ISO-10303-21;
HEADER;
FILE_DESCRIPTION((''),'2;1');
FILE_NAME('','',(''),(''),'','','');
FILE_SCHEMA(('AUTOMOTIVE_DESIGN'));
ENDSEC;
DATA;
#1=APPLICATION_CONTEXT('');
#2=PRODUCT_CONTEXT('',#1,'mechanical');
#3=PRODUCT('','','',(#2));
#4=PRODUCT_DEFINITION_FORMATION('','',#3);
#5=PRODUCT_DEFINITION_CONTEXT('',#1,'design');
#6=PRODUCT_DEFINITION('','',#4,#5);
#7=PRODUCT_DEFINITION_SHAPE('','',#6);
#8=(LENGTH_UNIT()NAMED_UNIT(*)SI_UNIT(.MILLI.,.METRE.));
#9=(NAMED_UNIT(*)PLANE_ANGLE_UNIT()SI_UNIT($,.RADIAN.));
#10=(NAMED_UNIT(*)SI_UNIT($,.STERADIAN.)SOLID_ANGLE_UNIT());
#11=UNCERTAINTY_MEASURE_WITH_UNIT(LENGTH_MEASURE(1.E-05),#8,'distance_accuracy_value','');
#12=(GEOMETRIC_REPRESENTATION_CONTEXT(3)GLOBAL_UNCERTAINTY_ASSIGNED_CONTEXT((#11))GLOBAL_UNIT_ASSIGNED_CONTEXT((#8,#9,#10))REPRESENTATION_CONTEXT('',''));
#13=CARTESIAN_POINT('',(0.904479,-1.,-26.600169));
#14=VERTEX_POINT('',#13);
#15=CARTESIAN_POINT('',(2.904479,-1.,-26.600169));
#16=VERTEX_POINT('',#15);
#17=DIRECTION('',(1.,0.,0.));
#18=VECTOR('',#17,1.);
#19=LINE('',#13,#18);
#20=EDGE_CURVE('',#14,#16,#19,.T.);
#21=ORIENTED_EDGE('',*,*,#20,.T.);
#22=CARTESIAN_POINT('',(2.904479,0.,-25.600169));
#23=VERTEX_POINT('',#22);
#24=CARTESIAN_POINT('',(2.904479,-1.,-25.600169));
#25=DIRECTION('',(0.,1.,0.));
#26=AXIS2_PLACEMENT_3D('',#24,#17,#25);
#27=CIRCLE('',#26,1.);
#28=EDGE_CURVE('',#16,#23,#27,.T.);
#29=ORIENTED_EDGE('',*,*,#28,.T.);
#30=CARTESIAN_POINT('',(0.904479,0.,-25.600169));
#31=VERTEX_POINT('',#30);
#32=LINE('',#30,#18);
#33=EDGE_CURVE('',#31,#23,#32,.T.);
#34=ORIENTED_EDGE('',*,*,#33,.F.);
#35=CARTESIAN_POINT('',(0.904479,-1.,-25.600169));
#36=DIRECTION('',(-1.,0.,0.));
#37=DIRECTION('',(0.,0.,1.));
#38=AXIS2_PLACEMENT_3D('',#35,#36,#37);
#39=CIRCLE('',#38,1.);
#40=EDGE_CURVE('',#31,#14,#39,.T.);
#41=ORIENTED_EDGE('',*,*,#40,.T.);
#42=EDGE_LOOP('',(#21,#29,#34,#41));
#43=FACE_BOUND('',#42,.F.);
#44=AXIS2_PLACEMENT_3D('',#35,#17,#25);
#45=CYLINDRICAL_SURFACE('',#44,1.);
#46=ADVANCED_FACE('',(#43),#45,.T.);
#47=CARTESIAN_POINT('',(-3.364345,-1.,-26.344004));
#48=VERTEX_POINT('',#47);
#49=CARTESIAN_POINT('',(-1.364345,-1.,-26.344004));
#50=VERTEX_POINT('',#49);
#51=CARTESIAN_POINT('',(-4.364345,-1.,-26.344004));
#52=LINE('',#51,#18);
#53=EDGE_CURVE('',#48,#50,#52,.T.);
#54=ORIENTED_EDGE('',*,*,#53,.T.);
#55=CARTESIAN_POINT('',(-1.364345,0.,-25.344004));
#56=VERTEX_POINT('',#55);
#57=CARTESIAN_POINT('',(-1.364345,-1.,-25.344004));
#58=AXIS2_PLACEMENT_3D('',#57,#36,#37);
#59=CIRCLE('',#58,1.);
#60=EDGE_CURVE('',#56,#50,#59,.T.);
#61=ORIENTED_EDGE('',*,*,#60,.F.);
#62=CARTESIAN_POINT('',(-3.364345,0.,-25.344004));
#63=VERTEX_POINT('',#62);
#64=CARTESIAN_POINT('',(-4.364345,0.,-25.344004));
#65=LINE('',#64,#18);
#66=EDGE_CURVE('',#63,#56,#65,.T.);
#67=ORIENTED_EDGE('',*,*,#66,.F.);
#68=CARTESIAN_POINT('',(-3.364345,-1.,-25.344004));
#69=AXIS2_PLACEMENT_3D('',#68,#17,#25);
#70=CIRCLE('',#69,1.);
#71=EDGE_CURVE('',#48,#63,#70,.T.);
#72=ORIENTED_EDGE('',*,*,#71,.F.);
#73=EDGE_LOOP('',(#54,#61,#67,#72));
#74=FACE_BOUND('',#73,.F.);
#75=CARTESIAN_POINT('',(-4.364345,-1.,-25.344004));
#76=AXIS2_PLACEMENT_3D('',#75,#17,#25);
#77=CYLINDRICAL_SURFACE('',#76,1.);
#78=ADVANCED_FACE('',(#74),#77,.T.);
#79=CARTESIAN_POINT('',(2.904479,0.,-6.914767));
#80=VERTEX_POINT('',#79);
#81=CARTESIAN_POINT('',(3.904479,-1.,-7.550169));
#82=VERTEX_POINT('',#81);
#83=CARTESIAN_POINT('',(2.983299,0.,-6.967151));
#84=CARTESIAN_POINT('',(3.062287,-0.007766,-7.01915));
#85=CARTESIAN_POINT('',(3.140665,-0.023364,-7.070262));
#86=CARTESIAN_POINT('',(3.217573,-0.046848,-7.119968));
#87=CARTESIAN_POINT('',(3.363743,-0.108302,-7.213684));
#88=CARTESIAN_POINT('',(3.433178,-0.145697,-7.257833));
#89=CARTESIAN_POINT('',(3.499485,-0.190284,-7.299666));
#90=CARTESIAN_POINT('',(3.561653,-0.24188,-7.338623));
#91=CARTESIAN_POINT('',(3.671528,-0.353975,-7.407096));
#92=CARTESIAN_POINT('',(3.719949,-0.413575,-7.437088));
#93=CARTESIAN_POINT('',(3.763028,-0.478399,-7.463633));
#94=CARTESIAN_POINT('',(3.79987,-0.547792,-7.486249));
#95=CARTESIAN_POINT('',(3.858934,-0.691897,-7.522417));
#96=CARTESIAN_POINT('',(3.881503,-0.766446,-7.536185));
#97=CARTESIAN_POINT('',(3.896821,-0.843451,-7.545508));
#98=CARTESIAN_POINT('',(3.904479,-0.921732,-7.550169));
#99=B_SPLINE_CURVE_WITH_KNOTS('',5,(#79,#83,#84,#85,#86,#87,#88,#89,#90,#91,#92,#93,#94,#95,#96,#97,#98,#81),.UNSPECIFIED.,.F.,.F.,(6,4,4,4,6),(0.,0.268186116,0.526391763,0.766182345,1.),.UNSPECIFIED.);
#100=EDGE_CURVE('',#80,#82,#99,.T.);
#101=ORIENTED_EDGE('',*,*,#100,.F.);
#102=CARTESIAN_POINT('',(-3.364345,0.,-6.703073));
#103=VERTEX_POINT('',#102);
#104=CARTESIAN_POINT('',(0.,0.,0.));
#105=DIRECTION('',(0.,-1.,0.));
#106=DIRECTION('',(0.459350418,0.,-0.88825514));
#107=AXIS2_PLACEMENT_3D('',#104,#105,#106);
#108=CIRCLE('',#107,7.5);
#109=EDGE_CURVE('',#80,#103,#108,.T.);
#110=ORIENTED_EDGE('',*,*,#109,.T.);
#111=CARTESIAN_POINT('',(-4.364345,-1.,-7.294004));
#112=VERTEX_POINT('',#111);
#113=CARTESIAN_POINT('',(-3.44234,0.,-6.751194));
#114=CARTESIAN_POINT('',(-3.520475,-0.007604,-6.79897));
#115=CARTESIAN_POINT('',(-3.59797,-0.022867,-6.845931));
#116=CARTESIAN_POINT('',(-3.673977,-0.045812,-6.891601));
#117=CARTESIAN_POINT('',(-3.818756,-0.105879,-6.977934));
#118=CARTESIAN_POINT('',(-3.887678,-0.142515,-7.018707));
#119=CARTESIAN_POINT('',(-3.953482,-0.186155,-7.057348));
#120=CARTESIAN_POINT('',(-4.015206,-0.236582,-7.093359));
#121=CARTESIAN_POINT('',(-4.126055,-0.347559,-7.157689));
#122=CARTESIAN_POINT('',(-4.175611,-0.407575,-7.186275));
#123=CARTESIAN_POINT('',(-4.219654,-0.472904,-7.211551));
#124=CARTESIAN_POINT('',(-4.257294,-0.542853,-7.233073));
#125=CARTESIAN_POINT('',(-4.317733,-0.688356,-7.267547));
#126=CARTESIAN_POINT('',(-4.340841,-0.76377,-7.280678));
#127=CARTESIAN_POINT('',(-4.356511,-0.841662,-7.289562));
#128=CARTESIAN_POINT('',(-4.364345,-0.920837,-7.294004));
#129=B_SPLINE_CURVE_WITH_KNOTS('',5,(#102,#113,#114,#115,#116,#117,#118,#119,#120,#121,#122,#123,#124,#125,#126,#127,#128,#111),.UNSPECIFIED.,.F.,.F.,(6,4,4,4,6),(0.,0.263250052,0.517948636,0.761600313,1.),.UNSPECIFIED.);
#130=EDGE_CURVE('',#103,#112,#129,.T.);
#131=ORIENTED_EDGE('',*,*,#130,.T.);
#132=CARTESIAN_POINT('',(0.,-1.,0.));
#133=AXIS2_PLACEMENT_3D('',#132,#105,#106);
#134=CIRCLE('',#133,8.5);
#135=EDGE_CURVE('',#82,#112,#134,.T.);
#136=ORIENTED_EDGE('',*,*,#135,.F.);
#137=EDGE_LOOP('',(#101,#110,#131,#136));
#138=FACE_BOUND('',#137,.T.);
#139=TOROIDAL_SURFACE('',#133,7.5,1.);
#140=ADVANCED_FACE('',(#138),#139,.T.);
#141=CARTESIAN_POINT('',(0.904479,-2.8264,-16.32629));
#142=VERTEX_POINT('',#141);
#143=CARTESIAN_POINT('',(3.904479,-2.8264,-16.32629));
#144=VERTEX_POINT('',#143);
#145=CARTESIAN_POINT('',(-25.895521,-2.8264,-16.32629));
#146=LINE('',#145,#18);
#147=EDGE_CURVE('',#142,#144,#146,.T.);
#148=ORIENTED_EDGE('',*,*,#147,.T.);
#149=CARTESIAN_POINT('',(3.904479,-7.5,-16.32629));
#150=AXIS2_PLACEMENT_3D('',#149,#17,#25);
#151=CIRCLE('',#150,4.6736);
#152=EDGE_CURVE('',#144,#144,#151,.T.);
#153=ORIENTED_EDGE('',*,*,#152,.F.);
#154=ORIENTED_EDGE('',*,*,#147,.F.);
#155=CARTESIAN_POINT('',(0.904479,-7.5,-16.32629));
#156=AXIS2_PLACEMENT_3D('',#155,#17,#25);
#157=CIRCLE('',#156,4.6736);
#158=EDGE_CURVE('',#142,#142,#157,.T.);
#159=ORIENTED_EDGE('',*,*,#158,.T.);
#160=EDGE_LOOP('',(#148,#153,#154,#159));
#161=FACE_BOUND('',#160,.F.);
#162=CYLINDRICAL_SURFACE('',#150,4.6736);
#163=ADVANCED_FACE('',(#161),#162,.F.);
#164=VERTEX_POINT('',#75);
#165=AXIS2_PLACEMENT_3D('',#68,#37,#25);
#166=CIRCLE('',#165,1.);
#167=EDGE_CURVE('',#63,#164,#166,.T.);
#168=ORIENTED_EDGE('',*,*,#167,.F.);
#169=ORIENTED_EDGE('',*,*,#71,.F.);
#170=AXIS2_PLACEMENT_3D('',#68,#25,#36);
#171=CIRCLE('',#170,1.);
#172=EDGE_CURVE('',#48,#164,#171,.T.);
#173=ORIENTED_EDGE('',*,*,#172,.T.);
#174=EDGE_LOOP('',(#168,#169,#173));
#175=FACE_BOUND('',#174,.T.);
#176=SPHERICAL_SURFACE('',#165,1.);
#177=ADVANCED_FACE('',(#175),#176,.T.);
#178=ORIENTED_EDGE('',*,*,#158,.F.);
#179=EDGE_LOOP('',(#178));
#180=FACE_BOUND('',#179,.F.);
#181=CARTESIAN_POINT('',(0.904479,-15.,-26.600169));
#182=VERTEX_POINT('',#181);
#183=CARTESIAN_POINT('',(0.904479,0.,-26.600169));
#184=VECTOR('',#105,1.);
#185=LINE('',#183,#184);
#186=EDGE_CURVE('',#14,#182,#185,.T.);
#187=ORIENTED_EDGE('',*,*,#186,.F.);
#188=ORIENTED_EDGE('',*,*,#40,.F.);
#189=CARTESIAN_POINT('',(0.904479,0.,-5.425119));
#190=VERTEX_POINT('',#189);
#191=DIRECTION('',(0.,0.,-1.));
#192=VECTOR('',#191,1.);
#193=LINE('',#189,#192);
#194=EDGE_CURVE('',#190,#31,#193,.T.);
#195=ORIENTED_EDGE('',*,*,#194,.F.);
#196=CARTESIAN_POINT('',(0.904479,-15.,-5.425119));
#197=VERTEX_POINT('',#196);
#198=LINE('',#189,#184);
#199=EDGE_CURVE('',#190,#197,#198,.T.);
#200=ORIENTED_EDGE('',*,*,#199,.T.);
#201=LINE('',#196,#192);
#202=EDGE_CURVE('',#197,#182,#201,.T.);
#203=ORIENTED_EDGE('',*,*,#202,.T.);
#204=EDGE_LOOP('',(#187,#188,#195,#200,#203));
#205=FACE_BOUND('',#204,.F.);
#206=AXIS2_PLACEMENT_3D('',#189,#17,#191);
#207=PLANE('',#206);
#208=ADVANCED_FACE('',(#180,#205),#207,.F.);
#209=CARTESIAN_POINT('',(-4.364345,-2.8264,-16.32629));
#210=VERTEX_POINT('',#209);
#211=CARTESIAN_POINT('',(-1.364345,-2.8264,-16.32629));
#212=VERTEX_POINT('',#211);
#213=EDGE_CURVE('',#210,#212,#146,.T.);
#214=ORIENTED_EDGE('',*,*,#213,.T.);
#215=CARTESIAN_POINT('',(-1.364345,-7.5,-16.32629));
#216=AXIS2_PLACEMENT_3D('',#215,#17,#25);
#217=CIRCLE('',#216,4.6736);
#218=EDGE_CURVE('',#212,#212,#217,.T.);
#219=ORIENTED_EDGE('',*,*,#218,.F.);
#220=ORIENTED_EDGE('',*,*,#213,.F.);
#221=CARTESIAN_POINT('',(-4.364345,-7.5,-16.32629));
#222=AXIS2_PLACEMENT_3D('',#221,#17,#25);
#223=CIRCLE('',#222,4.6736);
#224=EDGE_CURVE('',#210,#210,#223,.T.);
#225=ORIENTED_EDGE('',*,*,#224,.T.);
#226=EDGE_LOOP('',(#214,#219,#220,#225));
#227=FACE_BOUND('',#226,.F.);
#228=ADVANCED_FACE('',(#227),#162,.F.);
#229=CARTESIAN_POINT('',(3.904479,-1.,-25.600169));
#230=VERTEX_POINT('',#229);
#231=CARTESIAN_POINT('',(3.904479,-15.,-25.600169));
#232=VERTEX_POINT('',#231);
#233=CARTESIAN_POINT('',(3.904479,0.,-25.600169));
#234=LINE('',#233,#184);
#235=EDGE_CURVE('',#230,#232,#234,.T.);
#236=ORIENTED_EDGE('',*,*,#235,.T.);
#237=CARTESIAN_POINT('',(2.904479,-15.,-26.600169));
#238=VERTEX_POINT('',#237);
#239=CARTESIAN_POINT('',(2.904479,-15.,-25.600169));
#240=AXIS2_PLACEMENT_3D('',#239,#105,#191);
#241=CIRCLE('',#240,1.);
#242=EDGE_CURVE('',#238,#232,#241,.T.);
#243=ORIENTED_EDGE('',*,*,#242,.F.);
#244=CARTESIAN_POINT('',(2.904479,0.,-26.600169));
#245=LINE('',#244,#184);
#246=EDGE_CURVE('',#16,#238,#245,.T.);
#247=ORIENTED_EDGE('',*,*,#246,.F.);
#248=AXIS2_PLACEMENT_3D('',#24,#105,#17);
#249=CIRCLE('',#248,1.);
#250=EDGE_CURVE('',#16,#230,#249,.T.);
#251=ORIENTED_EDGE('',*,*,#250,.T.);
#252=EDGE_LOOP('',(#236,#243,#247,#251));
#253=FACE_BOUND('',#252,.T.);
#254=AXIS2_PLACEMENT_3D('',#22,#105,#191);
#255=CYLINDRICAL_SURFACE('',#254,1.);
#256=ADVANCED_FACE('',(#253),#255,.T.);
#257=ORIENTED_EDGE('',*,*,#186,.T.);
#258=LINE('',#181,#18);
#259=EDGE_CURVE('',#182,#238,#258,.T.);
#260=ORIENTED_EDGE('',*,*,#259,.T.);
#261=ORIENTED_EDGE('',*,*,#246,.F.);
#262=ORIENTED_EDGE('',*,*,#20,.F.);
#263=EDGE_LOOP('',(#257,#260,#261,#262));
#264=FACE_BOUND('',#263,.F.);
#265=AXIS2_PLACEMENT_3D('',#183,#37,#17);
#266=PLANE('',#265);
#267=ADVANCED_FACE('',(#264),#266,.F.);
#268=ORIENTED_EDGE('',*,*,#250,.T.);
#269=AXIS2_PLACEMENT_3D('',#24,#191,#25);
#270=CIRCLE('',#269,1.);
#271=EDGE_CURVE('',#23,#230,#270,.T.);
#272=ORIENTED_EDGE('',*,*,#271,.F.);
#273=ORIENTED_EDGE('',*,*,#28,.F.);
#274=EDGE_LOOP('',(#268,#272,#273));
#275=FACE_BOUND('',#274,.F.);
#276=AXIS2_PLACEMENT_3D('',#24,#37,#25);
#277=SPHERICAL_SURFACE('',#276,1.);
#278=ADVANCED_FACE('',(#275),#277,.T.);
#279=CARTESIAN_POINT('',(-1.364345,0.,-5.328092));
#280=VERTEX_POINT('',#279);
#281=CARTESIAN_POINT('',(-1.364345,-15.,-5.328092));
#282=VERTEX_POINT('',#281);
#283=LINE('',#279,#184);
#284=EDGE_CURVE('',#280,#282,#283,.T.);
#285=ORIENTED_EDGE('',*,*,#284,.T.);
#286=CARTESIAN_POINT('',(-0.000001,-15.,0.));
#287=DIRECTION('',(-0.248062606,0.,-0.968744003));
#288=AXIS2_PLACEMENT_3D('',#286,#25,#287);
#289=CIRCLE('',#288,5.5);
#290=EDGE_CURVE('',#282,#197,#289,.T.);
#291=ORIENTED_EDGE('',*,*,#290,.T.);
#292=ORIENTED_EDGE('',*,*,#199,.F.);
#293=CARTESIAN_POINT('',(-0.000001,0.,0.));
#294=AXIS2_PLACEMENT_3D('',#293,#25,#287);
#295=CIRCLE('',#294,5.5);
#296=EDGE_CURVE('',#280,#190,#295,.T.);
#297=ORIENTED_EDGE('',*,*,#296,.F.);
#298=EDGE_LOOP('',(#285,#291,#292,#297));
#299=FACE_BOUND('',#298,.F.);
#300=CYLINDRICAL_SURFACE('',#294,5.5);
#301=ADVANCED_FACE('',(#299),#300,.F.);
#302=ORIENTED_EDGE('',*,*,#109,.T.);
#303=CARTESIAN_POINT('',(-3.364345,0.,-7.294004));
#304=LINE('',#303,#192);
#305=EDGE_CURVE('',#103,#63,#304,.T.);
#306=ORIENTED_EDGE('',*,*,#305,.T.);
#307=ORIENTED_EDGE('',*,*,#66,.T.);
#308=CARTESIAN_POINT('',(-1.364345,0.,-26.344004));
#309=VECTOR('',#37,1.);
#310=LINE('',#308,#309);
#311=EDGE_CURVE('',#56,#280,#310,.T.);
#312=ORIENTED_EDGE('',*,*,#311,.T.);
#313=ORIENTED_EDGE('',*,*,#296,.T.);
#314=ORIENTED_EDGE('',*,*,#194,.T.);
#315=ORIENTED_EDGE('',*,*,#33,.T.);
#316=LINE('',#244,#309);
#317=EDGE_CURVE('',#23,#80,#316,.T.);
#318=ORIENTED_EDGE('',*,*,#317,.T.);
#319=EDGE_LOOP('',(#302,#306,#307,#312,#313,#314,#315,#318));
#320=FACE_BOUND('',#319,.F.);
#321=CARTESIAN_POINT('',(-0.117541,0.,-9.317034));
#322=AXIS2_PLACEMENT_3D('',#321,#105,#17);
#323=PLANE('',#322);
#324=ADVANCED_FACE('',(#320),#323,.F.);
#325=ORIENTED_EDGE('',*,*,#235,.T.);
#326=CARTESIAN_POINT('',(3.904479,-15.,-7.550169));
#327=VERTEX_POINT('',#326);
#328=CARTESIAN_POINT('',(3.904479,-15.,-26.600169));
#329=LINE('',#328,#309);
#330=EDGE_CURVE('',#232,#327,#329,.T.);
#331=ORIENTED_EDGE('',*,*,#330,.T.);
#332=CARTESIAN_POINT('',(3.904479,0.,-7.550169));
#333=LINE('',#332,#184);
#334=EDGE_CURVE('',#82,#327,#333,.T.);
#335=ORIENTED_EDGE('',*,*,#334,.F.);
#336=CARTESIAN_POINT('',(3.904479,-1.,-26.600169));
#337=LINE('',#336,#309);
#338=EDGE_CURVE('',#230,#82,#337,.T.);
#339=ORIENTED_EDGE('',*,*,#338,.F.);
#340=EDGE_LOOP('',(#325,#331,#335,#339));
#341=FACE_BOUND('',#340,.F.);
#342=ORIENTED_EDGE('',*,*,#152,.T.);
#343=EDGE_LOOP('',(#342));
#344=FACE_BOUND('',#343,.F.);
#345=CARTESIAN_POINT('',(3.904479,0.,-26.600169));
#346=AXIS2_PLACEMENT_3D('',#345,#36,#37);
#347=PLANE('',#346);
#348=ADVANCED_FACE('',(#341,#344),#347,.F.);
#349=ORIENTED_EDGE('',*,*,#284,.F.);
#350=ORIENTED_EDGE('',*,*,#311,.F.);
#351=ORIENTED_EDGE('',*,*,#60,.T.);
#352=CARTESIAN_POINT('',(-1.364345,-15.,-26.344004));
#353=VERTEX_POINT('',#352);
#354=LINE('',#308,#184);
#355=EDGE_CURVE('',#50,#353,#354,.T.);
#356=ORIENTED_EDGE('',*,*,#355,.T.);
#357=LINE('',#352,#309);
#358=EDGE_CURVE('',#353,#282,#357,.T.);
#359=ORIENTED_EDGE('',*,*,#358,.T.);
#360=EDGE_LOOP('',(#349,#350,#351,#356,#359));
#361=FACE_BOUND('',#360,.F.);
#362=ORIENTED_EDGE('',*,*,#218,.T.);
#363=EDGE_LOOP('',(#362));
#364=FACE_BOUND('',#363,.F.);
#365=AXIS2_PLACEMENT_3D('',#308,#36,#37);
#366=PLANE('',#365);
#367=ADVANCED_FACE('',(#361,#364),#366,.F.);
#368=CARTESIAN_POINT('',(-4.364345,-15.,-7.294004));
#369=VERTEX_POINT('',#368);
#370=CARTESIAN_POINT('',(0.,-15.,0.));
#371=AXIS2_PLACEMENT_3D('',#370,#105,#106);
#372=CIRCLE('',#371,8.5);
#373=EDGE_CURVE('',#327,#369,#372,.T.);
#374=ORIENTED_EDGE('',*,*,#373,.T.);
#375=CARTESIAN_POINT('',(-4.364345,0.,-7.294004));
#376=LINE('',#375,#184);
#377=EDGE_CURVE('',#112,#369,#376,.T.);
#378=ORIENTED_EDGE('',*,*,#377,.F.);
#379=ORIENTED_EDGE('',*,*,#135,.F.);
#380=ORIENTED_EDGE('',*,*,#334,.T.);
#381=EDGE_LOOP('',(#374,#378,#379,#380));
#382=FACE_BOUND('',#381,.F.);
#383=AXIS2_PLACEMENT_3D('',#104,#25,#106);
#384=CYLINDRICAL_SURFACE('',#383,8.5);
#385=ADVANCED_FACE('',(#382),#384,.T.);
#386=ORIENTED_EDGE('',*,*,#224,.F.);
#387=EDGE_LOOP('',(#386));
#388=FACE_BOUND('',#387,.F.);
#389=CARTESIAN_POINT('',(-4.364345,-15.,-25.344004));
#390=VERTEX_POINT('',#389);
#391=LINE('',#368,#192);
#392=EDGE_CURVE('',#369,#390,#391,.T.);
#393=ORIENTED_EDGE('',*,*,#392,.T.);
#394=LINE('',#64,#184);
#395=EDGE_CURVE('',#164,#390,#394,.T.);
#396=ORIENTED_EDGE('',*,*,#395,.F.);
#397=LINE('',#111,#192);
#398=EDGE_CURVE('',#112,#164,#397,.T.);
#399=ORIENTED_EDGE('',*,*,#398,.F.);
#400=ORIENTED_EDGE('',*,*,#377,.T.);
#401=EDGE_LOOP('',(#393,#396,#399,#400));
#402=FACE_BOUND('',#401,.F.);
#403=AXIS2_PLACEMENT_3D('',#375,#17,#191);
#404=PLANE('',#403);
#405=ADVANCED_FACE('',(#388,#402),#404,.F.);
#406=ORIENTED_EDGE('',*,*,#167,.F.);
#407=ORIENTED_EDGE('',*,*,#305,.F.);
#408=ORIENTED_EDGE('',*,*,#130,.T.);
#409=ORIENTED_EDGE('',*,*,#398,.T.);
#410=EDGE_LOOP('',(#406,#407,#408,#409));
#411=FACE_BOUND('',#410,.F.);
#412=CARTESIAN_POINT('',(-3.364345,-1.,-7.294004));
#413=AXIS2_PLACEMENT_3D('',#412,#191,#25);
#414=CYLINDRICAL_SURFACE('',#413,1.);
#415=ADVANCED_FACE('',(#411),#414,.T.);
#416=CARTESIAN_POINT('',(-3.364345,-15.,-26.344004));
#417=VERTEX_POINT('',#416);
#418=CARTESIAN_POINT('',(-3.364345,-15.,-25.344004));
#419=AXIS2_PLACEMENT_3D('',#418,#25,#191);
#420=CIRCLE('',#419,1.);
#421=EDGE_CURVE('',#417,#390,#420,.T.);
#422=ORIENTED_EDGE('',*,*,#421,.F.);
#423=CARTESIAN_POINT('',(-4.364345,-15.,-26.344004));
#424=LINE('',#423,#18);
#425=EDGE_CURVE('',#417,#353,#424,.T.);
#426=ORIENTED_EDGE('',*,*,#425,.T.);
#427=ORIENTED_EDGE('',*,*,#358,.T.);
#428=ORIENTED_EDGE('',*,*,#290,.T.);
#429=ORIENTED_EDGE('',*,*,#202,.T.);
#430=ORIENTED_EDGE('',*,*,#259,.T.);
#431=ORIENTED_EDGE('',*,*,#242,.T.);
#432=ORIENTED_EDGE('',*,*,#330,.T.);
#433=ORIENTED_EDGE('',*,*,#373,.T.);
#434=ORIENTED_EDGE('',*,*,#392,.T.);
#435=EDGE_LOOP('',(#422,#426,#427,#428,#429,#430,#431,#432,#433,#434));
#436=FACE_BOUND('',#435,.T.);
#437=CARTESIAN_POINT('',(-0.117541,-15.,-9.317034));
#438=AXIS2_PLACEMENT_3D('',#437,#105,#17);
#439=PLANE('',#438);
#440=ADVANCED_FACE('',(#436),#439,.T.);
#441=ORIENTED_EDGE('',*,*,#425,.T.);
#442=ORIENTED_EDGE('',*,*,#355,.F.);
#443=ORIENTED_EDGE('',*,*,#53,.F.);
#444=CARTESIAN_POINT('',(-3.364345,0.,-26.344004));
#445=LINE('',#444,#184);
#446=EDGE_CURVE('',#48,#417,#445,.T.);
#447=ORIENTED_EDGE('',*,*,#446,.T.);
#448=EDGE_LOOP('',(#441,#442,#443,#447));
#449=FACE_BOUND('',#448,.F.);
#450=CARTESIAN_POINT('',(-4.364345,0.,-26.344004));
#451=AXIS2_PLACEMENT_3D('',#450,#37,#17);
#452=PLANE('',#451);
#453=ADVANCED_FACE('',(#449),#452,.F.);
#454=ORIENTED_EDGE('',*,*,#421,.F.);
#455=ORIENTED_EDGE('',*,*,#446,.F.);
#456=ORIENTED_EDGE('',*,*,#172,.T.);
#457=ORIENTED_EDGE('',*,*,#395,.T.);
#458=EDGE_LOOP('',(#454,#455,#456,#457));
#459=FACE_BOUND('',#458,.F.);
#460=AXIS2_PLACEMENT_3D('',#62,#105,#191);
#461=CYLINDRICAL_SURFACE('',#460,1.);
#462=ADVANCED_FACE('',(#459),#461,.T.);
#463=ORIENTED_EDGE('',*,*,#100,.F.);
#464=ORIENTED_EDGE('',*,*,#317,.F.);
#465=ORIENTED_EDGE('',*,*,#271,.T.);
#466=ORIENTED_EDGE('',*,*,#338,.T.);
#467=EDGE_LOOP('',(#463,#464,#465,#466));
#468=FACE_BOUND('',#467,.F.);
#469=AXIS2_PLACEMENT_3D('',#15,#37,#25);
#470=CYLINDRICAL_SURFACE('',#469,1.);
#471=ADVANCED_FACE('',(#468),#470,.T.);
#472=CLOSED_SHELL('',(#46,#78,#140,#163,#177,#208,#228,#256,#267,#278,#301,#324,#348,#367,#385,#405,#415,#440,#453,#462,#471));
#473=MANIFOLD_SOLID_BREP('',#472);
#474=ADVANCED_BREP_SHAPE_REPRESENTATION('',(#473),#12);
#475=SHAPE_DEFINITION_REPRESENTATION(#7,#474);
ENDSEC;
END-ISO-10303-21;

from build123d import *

# Parameters (mm, degrees)
F1_DEPTH = 15
F2_R     = 4.6736
F3_DEPTH = 29.8
F4_R     = 1


with BuildPart() as f1:
    # F0 (on Front) → F1 (new body)
    with BuildSketch(Plane.XZ):
        with BuildLine():
            ThreePointArc((-1.364345, -5.328092), (0.234996, 5.494977), (0.904479, -5.425119))
            Line((0.904479, -5.425119), (0.904479, -26.600169))
            Line((0.904479, -26.600169), (3.904479, -26.600169))
            Line((3.904479, -26.600169), (3.904479, -7.550169))
            ThreePointArc((3.904479, -7.550169), (0.2632, 8.495924), (-4.364345, -7.294004))
            Line((-4.364345, -7.294004), (-4.364345, -26.344004))
            Line((-4.364345, -26.344004), (-1.364345, -26.344004))
            Line((-1.364345, -26.344004), (-1.364345, -5.328092))
        make_face()
    extrude(amount=F1_DEPTH)

    # F2 (on face) → F3 (cut, symmetric)
    with BuildSketch(Plane.YZ.offset(3.904479)):
        with Locations((-7.5, -16.32629)):
            Circle(F2_R)
    extrude(amount=F3_DEPTH, both=True, mode=Mode.SUBTRACT)

    # F4
    f4_edges = [f1.edges().sort_by_distance(p)[0] for p in [
        (-4.364345, 0, -16.819004),
        (0.2632, 0, 8.495924),
        (3.904479, 0, -17.075169),
        (2.404479, 0, -26.600169),
        (-2.864345, 0, -26.344004),
        (3.904479, -7.5, -26.600169),
        (-4.364345, -7.5, -26.344004),
    ]]
    fillet(f4_edges, radius=F4_R)


solid = f1.part
